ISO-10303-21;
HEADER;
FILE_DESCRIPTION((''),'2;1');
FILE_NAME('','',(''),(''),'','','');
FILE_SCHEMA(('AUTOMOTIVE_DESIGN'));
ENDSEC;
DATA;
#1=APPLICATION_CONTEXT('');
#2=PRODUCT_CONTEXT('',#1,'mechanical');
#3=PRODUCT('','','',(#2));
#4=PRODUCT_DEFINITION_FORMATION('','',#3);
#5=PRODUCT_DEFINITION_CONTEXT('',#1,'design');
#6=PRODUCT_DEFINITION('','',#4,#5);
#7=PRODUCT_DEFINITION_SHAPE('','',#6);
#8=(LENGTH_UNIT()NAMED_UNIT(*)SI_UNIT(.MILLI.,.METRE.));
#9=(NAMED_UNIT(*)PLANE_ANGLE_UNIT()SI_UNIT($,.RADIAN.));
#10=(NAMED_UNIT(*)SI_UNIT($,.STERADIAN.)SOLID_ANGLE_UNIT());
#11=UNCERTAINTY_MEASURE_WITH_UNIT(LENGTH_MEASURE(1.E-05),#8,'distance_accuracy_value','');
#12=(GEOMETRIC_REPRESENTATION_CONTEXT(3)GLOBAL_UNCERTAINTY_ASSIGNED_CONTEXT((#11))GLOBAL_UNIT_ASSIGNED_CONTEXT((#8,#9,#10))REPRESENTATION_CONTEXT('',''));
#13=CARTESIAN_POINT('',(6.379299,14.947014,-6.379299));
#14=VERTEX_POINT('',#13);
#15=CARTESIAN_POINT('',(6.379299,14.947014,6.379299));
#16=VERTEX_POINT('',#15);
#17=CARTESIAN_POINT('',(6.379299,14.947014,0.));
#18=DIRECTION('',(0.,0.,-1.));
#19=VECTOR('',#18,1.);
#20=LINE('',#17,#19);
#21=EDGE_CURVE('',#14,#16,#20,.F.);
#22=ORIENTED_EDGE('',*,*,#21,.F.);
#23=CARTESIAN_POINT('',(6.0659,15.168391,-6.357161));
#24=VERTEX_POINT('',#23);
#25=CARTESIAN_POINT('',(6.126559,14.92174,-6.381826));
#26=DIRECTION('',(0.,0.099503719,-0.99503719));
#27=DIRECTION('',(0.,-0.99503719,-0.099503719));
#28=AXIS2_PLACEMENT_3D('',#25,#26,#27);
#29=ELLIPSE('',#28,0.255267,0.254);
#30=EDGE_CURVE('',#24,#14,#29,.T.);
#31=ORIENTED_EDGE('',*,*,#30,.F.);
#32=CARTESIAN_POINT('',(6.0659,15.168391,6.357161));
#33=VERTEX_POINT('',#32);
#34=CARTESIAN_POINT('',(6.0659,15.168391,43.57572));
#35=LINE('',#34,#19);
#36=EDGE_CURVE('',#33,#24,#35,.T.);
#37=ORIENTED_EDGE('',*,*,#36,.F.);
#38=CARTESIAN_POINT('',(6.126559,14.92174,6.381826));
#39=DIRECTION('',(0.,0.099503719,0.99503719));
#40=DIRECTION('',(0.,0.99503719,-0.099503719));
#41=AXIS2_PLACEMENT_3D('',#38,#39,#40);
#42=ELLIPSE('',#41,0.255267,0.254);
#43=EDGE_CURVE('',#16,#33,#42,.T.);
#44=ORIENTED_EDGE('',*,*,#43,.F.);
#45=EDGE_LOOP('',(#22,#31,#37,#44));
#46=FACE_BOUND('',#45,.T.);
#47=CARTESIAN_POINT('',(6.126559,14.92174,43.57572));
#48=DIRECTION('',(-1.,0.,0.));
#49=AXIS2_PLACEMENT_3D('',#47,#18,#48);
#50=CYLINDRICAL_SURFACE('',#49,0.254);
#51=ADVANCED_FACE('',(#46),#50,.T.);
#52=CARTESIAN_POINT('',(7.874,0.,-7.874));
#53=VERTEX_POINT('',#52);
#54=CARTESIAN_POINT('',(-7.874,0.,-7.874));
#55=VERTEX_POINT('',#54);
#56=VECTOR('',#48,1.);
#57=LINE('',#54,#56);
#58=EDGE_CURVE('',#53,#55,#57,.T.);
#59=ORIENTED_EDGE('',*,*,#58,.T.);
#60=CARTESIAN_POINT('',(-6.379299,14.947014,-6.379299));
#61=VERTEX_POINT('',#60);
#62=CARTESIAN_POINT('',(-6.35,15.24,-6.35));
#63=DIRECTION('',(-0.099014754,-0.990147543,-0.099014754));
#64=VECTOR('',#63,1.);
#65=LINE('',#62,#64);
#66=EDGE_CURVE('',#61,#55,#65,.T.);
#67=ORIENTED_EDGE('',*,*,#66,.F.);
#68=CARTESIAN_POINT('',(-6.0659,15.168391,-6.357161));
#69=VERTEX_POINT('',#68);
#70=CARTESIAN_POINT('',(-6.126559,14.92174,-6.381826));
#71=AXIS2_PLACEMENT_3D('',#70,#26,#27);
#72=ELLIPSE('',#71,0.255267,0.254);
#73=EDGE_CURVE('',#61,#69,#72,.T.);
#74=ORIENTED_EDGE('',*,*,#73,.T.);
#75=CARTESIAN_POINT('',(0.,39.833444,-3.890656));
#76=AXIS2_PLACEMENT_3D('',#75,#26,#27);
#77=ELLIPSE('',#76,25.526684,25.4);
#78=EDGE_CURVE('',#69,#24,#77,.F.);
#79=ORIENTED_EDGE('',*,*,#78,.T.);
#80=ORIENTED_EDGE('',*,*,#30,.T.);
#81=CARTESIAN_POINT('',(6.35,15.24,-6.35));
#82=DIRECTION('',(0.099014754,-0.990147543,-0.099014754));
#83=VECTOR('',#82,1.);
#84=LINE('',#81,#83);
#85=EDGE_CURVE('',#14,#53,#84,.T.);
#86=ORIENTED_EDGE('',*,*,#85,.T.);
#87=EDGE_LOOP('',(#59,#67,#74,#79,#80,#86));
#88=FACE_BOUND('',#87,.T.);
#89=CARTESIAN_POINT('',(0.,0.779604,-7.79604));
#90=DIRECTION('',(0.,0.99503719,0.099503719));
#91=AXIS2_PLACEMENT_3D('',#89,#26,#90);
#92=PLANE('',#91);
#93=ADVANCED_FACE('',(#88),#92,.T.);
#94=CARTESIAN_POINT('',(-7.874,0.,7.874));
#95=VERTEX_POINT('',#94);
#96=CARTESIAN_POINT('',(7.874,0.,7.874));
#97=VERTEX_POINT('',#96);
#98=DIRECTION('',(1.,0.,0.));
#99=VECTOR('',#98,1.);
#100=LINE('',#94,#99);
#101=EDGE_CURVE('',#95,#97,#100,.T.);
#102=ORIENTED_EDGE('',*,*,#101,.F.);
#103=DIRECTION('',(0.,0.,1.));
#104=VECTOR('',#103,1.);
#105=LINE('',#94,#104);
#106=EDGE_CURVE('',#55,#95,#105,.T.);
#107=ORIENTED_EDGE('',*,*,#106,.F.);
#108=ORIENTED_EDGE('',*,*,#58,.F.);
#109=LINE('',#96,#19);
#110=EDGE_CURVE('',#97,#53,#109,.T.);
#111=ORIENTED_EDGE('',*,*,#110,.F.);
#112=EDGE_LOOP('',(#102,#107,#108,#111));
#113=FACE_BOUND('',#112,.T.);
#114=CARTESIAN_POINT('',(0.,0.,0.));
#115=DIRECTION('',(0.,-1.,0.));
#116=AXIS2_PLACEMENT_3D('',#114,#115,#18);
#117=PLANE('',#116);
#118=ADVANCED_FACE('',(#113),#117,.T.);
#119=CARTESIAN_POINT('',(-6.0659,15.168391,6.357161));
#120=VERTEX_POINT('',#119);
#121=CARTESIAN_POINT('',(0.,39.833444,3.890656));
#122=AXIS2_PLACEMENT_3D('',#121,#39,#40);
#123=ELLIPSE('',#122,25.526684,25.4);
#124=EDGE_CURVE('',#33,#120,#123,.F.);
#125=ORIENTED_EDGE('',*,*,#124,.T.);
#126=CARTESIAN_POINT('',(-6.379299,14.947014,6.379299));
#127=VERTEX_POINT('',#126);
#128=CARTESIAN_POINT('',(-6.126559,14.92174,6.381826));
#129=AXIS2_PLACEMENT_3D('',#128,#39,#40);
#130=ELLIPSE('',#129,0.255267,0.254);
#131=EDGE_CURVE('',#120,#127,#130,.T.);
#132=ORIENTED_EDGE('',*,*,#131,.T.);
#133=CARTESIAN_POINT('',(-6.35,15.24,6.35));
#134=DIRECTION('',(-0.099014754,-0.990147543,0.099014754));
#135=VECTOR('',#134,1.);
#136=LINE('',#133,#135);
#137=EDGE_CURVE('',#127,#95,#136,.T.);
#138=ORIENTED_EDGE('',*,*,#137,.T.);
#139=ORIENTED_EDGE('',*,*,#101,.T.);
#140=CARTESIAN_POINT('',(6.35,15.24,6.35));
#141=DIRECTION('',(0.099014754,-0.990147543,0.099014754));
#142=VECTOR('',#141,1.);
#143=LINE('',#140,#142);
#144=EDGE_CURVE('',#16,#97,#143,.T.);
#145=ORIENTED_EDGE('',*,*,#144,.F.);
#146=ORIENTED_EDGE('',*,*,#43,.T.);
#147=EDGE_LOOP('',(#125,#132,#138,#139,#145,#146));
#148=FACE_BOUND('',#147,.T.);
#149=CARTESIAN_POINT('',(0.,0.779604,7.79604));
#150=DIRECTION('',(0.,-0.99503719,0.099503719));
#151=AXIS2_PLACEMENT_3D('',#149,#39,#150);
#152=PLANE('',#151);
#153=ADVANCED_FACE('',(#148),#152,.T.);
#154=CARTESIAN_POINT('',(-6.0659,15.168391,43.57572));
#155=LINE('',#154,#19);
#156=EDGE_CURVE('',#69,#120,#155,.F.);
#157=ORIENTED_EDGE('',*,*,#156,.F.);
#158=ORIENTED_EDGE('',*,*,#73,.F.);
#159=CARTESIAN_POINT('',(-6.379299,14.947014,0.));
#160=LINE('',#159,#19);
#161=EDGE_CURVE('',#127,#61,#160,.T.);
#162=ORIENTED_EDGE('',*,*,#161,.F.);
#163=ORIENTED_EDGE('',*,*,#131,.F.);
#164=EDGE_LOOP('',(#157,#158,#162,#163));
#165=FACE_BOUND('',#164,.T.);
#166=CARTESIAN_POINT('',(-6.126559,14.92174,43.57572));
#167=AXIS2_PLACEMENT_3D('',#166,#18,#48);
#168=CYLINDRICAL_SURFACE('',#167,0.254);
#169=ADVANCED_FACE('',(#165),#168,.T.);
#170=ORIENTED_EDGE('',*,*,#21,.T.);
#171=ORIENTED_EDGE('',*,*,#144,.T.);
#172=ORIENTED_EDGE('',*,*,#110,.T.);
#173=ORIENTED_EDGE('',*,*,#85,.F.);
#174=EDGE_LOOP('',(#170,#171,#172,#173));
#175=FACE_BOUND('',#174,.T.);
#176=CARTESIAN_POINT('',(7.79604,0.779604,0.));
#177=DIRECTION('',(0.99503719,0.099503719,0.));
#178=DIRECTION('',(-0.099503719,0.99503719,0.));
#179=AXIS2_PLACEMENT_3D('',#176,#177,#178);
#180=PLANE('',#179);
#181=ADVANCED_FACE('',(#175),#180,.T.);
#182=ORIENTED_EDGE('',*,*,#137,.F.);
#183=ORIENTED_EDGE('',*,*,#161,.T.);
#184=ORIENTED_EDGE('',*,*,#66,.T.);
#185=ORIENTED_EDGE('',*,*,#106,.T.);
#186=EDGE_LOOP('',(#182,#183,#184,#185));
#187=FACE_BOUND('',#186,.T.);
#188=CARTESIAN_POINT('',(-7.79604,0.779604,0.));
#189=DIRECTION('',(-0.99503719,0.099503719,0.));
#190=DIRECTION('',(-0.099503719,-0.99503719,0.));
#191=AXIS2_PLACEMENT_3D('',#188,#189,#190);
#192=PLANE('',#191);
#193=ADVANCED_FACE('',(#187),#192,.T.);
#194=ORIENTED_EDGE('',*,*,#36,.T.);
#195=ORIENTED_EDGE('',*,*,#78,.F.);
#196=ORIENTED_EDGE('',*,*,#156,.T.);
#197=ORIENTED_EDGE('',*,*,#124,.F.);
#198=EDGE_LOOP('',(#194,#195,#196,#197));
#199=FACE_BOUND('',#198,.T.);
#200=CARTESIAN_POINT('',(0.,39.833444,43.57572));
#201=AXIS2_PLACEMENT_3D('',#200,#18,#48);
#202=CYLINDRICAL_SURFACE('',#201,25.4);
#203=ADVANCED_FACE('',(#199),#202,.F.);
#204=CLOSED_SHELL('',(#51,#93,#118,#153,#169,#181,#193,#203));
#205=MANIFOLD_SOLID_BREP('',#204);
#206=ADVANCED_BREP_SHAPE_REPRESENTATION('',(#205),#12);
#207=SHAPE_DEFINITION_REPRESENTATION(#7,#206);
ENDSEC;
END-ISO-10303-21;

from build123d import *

# Parameters (mm, degrees)
SKETCH2_W               = 12.7
SKETCH2_H               = 12.7
SKETCH1_W               = 15.748
SKETCH1_H               = 15.748
CUT_EXTRUDE1_DEPTH      = 8.8740001
CUT_EXTRUDE1_DEPTH_BACK = 8.8740001
FILLET1_R               = 0.254


with BuildPart() as part:
    # Sketch2 → Loft1 section 0
    with BuildSketch(Plane(origin=(0, 15.24, 0), x_dir=(1, 0, 0), z_dir=(0, 1, 0))):
        Rectangle(SKETCH2_W, SKETCH2_H)
    # Sketch1 → Loft1 section 1
    with BuildSketch(Plane(origin=(0, 0, 0), x_dir=(1, 0, 0), z_dir=(0, 1, 0))):
        Rectangle(SKETCH1_W, SKETCH1_H)
    loft()

    # Sketch3 → Cut-Extrude1 (cut, two sides)
    with BuildSketch(Plane.XY) as cut_extrude1_sk:
        with BuildLine():
            Line((-56.40168157, 28.163288611), (-6.35, 15.24))
            ThreePointArc((-6.35, 15.24), (0, 14.433444248), (6.35, 15.24))
            Line((6.35, 15.24), (56.40168157, 28.163288611))
            Line((56.40168157, 28.163288611), (56.40168157, 131.549597501))
            Line((56.40168157, 131.549597501), (-56.40168157, 131.549597501))
            Line((-56.40168157, 131.549597501), (-56.40168157, 28.163288611))
        make_face()
    extrude(amount=CUT_EXTRUDE1_DEPTH, mode=Mode.SUBTRACT)
    extrude(cut_extrude1_sk.sketch, amount=-CUT_EXTRUDE1_DEPTH_BACK, mode=Mode.SUBTRACT)

    # Fillet1
    fillet1_edges = [part.edges().sort_by_distance(p)[0] for p in [
        (6.35, 15.24, 0),
        (-6.35, 15.24, 0),
    ]]
    fillet(fillet1_edges, radius=FILLET1_R)


solid = part.part
